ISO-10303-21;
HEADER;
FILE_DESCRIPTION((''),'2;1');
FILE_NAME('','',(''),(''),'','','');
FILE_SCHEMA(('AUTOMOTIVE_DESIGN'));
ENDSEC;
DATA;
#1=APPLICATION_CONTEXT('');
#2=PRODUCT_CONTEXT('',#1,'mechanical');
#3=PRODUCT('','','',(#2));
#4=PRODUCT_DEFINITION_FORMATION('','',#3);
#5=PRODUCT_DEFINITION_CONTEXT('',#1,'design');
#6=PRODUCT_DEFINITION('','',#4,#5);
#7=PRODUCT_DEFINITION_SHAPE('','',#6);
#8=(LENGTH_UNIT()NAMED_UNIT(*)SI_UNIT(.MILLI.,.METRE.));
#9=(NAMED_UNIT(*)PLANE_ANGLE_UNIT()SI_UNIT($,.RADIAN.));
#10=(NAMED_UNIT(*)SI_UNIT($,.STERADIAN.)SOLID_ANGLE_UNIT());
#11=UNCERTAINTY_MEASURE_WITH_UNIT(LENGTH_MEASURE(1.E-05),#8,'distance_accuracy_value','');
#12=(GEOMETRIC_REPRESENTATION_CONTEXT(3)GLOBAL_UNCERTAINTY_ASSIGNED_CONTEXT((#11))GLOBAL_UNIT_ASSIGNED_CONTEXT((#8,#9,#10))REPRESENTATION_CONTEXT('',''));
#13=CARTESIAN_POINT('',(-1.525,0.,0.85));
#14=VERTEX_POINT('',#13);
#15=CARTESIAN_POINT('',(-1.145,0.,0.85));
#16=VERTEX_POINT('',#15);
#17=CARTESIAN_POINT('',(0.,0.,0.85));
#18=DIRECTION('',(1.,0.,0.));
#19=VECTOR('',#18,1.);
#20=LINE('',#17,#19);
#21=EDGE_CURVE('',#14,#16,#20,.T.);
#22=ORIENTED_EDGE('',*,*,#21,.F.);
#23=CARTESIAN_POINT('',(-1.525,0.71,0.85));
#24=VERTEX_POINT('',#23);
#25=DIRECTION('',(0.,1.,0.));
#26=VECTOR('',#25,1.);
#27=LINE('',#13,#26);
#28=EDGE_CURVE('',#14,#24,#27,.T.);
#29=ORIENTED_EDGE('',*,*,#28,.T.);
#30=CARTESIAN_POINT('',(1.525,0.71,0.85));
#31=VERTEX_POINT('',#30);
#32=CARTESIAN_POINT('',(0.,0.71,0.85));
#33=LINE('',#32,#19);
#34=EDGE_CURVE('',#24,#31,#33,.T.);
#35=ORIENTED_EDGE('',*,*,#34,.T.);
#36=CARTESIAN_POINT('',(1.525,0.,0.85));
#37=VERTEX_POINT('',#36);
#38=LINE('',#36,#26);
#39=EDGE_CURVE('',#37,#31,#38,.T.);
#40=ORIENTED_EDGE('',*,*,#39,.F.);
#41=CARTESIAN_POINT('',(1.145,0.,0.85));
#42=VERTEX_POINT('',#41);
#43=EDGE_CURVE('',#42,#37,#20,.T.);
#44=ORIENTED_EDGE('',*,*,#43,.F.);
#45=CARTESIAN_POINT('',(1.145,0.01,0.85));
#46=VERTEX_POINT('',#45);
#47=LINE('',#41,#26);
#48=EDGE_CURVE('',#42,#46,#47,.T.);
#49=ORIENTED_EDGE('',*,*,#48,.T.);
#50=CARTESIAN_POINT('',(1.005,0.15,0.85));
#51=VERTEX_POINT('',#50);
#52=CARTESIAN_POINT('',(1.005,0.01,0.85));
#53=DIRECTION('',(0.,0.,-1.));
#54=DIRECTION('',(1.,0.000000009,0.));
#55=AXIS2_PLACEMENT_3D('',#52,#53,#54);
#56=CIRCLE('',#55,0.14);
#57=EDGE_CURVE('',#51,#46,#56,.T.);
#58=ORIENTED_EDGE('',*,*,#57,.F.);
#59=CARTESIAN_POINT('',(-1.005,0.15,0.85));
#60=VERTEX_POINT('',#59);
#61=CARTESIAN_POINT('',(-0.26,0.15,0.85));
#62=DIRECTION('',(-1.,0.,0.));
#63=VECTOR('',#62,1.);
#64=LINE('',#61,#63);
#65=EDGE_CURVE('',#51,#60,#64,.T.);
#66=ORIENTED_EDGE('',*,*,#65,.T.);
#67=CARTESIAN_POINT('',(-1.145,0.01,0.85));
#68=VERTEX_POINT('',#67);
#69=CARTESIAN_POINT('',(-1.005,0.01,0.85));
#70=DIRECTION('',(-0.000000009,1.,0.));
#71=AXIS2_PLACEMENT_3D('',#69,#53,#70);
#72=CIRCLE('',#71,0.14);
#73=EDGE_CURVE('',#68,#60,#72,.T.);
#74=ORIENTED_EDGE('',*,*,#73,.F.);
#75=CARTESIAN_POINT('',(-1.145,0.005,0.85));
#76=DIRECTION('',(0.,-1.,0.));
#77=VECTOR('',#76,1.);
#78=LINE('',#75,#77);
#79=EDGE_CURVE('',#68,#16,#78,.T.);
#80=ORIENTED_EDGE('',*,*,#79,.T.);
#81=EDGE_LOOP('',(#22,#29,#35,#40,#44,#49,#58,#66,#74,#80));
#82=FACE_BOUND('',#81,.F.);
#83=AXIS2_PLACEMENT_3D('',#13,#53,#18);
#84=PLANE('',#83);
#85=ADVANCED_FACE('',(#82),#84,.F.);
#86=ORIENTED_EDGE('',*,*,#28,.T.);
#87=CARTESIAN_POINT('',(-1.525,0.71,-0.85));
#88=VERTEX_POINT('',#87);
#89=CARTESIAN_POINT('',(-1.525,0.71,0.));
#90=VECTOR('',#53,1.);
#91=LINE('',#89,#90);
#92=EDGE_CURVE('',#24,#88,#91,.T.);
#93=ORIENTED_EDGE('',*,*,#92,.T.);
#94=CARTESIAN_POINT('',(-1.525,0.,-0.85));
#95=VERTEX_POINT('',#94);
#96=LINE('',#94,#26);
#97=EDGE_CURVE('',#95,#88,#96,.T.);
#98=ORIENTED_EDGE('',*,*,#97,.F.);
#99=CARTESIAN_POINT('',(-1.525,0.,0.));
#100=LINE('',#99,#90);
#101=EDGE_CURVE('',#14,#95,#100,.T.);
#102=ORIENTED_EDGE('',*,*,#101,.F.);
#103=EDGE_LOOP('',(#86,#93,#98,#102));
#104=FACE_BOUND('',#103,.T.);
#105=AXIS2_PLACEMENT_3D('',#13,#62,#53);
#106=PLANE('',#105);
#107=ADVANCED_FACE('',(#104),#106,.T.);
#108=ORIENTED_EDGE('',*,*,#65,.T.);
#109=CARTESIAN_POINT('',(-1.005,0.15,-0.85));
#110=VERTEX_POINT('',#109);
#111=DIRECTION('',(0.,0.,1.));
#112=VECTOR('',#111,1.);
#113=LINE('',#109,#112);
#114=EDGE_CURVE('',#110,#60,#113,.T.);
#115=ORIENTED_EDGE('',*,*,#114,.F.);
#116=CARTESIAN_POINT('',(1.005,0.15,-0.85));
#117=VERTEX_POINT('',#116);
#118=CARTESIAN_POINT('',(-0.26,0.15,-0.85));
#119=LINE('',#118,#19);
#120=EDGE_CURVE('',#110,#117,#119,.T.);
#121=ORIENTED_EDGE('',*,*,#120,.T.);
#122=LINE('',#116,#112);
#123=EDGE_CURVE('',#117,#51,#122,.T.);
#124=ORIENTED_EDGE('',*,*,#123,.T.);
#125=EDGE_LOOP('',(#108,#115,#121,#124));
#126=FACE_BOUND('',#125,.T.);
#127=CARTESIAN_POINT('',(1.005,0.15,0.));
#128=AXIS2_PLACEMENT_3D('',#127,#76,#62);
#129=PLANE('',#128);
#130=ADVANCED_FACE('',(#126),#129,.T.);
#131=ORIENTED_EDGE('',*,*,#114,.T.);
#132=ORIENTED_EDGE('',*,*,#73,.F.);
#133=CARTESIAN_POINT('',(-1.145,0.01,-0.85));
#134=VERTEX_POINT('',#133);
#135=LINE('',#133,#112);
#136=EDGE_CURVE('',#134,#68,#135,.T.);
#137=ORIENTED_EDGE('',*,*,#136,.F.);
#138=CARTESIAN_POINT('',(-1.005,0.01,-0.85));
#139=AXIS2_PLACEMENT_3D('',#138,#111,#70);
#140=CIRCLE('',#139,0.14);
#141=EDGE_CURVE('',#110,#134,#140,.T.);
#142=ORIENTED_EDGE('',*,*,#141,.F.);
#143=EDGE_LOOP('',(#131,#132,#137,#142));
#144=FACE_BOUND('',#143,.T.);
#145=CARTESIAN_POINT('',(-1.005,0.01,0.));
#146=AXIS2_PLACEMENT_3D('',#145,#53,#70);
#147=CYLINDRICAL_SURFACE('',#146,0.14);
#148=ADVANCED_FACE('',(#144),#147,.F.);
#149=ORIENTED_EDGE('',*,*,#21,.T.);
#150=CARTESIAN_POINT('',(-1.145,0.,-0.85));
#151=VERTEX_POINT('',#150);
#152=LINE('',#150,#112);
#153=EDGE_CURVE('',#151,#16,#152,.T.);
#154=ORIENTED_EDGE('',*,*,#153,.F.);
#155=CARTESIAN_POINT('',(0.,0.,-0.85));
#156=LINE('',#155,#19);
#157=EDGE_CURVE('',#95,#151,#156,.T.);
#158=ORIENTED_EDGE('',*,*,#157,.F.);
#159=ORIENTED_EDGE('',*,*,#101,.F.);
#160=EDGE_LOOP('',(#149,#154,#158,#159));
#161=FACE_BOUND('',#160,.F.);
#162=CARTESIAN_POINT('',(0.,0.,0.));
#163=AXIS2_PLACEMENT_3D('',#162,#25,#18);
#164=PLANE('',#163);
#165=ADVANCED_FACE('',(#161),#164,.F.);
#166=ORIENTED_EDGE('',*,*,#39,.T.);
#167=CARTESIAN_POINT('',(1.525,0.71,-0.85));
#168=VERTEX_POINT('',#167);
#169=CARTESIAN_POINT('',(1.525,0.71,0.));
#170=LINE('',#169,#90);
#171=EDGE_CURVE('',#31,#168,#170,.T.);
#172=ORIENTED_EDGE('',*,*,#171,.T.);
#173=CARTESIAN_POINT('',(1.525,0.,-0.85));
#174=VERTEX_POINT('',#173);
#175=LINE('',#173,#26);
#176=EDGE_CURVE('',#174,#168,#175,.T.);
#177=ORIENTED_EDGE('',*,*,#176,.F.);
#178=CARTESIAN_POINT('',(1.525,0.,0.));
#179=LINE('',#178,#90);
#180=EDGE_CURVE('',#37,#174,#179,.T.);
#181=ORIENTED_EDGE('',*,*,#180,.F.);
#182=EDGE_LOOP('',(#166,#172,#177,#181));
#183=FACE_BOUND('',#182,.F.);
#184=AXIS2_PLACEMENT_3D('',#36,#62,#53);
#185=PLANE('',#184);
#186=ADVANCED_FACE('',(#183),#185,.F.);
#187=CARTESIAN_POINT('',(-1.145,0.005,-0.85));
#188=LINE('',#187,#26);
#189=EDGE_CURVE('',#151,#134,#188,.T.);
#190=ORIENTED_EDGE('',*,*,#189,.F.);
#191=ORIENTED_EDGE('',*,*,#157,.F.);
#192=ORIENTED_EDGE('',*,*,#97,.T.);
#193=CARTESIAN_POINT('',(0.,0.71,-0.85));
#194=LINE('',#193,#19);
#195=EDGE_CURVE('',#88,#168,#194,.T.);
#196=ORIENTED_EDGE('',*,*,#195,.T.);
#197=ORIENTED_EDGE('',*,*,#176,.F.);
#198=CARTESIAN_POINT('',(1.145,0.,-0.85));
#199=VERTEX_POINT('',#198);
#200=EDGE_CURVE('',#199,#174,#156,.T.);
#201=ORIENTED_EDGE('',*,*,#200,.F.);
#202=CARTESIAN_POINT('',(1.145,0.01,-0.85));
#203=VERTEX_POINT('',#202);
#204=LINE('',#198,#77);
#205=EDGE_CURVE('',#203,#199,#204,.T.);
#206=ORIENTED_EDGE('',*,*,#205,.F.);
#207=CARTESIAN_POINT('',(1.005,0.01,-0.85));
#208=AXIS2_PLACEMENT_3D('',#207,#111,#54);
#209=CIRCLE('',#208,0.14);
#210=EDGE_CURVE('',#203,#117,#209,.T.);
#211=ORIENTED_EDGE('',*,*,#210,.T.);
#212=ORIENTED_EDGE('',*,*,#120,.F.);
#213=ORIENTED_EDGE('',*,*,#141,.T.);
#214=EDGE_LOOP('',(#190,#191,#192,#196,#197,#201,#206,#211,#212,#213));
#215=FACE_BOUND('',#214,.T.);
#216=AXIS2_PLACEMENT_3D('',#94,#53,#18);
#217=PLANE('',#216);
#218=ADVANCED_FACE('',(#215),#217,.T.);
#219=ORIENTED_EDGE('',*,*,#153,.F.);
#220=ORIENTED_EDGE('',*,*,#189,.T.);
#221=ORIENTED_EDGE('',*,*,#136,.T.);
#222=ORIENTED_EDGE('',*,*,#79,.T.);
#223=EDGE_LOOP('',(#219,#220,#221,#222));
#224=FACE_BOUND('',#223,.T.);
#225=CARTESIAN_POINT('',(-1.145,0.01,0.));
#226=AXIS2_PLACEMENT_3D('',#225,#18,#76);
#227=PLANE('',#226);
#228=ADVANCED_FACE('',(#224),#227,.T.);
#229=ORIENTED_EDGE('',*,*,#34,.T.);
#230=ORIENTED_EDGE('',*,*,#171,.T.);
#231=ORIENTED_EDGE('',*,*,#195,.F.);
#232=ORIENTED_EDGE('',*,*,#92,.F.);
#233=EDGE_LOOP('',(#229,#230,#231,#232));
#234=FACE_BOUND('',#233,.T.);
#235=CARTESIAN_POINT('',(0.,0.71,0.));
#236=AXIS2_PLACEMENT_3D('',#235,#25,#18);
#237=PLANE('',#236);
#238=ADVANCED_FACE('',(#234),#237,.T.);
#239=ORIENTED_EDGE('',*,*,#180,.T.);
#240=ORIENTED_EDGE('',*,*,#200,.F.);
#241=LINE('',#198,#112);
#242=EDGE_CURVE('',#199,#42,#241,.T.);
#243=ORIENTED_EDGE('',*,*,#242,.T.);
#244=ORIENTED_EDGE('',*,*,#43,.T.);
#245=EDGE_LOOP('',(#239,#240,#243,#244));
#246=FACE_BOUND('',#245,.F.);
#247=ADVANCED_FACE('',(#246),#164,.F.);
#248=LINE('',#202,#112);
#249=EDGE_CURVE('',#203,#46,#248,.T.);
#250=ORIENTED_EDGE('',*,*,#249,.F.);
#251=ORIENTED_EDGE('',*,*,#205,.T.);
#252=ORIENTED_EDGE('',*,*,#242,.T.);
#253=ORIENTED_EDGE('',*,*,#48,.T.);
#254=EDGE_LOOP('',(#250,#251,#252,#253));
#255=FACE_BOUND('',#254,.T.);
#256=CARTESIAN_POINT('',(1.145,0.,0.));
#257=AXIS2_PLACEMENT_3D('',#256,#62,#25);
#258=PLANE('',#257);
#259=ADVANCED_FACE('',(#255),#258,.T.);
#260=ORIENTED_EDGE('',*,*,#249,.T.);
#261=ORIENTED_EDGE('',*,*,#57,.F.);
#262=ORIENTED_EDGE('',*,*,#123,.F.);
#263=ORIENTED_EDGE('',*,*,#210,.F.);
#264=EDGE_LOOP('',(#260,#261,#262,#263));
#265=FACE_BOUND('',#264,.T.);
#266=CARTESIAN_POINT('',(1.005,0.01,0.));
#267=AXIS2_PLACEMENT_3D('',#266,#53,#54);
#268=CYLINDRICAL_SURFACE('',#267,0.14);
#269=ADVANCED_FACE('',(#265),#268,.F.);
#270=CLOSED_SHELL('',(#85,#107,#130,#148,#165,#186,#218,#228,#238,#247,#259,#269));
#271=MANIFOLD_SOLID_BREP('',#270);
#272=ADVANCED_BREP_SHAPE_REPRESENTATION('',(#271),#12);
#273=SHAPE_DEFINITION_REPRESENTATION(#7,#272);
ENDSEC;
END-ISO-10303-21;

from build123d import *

# Parameters (mm, degrees)
SKETCH1_W               = 3.05
SKETCH1_H               = 1.7
BOSS_EXTRUDE1_DEPTH     = 0.71
CUT_EXTRUDE1_DEPTH      = 1.85
CUT_EXTRUDE1_DEPTH_BACK = 1.85


with BuildPart() as part:
    # Sketch1 → Boss-Extrude1 (new body)
    with BuildSketch(Plane(origin=(0, 0, 0), x_dir=(1, 0, 0), z_dir=(0, 1, 0))):
        Rectangle(SKETCH1_W, SKETCH1_H)
    extrude(amount=BOSS_EXTRUDE1_DEPTH)

    # Sketch2 → Cut-Extrude1 (cut, two sides)
    with BuildSketch(Plane.XY) as cut_extrude1_sk:
        with BuildLine():
            Line((-1.145, 0), (1.145, 0))
            Line((1.145, 0), (1.145, 0.01))
            ThreePointArc((1.145, 0.01), (1.103994949, 0.108994949), (1.005, 0.15))
            Line((1.005, 0.15), (-1.005, 0.15))
            ThreePointArc((-1.005, 0.15), (-1.103994949, 0.108994949), (-1.145, 0.01))
            Line((-1.145, 0.01), (-1.145, 0))
        make_face()
    extrude(amount=CUT_EXTRUDE1_DEPTH, mode=Mode.SUBTRACT)
    extrude(cut_extrude1_sk.sketch, amount=-CUT_EXTRUDE1_DEPTH_BACK, mode=Mode.SUBTRACT)


solid = part.part
